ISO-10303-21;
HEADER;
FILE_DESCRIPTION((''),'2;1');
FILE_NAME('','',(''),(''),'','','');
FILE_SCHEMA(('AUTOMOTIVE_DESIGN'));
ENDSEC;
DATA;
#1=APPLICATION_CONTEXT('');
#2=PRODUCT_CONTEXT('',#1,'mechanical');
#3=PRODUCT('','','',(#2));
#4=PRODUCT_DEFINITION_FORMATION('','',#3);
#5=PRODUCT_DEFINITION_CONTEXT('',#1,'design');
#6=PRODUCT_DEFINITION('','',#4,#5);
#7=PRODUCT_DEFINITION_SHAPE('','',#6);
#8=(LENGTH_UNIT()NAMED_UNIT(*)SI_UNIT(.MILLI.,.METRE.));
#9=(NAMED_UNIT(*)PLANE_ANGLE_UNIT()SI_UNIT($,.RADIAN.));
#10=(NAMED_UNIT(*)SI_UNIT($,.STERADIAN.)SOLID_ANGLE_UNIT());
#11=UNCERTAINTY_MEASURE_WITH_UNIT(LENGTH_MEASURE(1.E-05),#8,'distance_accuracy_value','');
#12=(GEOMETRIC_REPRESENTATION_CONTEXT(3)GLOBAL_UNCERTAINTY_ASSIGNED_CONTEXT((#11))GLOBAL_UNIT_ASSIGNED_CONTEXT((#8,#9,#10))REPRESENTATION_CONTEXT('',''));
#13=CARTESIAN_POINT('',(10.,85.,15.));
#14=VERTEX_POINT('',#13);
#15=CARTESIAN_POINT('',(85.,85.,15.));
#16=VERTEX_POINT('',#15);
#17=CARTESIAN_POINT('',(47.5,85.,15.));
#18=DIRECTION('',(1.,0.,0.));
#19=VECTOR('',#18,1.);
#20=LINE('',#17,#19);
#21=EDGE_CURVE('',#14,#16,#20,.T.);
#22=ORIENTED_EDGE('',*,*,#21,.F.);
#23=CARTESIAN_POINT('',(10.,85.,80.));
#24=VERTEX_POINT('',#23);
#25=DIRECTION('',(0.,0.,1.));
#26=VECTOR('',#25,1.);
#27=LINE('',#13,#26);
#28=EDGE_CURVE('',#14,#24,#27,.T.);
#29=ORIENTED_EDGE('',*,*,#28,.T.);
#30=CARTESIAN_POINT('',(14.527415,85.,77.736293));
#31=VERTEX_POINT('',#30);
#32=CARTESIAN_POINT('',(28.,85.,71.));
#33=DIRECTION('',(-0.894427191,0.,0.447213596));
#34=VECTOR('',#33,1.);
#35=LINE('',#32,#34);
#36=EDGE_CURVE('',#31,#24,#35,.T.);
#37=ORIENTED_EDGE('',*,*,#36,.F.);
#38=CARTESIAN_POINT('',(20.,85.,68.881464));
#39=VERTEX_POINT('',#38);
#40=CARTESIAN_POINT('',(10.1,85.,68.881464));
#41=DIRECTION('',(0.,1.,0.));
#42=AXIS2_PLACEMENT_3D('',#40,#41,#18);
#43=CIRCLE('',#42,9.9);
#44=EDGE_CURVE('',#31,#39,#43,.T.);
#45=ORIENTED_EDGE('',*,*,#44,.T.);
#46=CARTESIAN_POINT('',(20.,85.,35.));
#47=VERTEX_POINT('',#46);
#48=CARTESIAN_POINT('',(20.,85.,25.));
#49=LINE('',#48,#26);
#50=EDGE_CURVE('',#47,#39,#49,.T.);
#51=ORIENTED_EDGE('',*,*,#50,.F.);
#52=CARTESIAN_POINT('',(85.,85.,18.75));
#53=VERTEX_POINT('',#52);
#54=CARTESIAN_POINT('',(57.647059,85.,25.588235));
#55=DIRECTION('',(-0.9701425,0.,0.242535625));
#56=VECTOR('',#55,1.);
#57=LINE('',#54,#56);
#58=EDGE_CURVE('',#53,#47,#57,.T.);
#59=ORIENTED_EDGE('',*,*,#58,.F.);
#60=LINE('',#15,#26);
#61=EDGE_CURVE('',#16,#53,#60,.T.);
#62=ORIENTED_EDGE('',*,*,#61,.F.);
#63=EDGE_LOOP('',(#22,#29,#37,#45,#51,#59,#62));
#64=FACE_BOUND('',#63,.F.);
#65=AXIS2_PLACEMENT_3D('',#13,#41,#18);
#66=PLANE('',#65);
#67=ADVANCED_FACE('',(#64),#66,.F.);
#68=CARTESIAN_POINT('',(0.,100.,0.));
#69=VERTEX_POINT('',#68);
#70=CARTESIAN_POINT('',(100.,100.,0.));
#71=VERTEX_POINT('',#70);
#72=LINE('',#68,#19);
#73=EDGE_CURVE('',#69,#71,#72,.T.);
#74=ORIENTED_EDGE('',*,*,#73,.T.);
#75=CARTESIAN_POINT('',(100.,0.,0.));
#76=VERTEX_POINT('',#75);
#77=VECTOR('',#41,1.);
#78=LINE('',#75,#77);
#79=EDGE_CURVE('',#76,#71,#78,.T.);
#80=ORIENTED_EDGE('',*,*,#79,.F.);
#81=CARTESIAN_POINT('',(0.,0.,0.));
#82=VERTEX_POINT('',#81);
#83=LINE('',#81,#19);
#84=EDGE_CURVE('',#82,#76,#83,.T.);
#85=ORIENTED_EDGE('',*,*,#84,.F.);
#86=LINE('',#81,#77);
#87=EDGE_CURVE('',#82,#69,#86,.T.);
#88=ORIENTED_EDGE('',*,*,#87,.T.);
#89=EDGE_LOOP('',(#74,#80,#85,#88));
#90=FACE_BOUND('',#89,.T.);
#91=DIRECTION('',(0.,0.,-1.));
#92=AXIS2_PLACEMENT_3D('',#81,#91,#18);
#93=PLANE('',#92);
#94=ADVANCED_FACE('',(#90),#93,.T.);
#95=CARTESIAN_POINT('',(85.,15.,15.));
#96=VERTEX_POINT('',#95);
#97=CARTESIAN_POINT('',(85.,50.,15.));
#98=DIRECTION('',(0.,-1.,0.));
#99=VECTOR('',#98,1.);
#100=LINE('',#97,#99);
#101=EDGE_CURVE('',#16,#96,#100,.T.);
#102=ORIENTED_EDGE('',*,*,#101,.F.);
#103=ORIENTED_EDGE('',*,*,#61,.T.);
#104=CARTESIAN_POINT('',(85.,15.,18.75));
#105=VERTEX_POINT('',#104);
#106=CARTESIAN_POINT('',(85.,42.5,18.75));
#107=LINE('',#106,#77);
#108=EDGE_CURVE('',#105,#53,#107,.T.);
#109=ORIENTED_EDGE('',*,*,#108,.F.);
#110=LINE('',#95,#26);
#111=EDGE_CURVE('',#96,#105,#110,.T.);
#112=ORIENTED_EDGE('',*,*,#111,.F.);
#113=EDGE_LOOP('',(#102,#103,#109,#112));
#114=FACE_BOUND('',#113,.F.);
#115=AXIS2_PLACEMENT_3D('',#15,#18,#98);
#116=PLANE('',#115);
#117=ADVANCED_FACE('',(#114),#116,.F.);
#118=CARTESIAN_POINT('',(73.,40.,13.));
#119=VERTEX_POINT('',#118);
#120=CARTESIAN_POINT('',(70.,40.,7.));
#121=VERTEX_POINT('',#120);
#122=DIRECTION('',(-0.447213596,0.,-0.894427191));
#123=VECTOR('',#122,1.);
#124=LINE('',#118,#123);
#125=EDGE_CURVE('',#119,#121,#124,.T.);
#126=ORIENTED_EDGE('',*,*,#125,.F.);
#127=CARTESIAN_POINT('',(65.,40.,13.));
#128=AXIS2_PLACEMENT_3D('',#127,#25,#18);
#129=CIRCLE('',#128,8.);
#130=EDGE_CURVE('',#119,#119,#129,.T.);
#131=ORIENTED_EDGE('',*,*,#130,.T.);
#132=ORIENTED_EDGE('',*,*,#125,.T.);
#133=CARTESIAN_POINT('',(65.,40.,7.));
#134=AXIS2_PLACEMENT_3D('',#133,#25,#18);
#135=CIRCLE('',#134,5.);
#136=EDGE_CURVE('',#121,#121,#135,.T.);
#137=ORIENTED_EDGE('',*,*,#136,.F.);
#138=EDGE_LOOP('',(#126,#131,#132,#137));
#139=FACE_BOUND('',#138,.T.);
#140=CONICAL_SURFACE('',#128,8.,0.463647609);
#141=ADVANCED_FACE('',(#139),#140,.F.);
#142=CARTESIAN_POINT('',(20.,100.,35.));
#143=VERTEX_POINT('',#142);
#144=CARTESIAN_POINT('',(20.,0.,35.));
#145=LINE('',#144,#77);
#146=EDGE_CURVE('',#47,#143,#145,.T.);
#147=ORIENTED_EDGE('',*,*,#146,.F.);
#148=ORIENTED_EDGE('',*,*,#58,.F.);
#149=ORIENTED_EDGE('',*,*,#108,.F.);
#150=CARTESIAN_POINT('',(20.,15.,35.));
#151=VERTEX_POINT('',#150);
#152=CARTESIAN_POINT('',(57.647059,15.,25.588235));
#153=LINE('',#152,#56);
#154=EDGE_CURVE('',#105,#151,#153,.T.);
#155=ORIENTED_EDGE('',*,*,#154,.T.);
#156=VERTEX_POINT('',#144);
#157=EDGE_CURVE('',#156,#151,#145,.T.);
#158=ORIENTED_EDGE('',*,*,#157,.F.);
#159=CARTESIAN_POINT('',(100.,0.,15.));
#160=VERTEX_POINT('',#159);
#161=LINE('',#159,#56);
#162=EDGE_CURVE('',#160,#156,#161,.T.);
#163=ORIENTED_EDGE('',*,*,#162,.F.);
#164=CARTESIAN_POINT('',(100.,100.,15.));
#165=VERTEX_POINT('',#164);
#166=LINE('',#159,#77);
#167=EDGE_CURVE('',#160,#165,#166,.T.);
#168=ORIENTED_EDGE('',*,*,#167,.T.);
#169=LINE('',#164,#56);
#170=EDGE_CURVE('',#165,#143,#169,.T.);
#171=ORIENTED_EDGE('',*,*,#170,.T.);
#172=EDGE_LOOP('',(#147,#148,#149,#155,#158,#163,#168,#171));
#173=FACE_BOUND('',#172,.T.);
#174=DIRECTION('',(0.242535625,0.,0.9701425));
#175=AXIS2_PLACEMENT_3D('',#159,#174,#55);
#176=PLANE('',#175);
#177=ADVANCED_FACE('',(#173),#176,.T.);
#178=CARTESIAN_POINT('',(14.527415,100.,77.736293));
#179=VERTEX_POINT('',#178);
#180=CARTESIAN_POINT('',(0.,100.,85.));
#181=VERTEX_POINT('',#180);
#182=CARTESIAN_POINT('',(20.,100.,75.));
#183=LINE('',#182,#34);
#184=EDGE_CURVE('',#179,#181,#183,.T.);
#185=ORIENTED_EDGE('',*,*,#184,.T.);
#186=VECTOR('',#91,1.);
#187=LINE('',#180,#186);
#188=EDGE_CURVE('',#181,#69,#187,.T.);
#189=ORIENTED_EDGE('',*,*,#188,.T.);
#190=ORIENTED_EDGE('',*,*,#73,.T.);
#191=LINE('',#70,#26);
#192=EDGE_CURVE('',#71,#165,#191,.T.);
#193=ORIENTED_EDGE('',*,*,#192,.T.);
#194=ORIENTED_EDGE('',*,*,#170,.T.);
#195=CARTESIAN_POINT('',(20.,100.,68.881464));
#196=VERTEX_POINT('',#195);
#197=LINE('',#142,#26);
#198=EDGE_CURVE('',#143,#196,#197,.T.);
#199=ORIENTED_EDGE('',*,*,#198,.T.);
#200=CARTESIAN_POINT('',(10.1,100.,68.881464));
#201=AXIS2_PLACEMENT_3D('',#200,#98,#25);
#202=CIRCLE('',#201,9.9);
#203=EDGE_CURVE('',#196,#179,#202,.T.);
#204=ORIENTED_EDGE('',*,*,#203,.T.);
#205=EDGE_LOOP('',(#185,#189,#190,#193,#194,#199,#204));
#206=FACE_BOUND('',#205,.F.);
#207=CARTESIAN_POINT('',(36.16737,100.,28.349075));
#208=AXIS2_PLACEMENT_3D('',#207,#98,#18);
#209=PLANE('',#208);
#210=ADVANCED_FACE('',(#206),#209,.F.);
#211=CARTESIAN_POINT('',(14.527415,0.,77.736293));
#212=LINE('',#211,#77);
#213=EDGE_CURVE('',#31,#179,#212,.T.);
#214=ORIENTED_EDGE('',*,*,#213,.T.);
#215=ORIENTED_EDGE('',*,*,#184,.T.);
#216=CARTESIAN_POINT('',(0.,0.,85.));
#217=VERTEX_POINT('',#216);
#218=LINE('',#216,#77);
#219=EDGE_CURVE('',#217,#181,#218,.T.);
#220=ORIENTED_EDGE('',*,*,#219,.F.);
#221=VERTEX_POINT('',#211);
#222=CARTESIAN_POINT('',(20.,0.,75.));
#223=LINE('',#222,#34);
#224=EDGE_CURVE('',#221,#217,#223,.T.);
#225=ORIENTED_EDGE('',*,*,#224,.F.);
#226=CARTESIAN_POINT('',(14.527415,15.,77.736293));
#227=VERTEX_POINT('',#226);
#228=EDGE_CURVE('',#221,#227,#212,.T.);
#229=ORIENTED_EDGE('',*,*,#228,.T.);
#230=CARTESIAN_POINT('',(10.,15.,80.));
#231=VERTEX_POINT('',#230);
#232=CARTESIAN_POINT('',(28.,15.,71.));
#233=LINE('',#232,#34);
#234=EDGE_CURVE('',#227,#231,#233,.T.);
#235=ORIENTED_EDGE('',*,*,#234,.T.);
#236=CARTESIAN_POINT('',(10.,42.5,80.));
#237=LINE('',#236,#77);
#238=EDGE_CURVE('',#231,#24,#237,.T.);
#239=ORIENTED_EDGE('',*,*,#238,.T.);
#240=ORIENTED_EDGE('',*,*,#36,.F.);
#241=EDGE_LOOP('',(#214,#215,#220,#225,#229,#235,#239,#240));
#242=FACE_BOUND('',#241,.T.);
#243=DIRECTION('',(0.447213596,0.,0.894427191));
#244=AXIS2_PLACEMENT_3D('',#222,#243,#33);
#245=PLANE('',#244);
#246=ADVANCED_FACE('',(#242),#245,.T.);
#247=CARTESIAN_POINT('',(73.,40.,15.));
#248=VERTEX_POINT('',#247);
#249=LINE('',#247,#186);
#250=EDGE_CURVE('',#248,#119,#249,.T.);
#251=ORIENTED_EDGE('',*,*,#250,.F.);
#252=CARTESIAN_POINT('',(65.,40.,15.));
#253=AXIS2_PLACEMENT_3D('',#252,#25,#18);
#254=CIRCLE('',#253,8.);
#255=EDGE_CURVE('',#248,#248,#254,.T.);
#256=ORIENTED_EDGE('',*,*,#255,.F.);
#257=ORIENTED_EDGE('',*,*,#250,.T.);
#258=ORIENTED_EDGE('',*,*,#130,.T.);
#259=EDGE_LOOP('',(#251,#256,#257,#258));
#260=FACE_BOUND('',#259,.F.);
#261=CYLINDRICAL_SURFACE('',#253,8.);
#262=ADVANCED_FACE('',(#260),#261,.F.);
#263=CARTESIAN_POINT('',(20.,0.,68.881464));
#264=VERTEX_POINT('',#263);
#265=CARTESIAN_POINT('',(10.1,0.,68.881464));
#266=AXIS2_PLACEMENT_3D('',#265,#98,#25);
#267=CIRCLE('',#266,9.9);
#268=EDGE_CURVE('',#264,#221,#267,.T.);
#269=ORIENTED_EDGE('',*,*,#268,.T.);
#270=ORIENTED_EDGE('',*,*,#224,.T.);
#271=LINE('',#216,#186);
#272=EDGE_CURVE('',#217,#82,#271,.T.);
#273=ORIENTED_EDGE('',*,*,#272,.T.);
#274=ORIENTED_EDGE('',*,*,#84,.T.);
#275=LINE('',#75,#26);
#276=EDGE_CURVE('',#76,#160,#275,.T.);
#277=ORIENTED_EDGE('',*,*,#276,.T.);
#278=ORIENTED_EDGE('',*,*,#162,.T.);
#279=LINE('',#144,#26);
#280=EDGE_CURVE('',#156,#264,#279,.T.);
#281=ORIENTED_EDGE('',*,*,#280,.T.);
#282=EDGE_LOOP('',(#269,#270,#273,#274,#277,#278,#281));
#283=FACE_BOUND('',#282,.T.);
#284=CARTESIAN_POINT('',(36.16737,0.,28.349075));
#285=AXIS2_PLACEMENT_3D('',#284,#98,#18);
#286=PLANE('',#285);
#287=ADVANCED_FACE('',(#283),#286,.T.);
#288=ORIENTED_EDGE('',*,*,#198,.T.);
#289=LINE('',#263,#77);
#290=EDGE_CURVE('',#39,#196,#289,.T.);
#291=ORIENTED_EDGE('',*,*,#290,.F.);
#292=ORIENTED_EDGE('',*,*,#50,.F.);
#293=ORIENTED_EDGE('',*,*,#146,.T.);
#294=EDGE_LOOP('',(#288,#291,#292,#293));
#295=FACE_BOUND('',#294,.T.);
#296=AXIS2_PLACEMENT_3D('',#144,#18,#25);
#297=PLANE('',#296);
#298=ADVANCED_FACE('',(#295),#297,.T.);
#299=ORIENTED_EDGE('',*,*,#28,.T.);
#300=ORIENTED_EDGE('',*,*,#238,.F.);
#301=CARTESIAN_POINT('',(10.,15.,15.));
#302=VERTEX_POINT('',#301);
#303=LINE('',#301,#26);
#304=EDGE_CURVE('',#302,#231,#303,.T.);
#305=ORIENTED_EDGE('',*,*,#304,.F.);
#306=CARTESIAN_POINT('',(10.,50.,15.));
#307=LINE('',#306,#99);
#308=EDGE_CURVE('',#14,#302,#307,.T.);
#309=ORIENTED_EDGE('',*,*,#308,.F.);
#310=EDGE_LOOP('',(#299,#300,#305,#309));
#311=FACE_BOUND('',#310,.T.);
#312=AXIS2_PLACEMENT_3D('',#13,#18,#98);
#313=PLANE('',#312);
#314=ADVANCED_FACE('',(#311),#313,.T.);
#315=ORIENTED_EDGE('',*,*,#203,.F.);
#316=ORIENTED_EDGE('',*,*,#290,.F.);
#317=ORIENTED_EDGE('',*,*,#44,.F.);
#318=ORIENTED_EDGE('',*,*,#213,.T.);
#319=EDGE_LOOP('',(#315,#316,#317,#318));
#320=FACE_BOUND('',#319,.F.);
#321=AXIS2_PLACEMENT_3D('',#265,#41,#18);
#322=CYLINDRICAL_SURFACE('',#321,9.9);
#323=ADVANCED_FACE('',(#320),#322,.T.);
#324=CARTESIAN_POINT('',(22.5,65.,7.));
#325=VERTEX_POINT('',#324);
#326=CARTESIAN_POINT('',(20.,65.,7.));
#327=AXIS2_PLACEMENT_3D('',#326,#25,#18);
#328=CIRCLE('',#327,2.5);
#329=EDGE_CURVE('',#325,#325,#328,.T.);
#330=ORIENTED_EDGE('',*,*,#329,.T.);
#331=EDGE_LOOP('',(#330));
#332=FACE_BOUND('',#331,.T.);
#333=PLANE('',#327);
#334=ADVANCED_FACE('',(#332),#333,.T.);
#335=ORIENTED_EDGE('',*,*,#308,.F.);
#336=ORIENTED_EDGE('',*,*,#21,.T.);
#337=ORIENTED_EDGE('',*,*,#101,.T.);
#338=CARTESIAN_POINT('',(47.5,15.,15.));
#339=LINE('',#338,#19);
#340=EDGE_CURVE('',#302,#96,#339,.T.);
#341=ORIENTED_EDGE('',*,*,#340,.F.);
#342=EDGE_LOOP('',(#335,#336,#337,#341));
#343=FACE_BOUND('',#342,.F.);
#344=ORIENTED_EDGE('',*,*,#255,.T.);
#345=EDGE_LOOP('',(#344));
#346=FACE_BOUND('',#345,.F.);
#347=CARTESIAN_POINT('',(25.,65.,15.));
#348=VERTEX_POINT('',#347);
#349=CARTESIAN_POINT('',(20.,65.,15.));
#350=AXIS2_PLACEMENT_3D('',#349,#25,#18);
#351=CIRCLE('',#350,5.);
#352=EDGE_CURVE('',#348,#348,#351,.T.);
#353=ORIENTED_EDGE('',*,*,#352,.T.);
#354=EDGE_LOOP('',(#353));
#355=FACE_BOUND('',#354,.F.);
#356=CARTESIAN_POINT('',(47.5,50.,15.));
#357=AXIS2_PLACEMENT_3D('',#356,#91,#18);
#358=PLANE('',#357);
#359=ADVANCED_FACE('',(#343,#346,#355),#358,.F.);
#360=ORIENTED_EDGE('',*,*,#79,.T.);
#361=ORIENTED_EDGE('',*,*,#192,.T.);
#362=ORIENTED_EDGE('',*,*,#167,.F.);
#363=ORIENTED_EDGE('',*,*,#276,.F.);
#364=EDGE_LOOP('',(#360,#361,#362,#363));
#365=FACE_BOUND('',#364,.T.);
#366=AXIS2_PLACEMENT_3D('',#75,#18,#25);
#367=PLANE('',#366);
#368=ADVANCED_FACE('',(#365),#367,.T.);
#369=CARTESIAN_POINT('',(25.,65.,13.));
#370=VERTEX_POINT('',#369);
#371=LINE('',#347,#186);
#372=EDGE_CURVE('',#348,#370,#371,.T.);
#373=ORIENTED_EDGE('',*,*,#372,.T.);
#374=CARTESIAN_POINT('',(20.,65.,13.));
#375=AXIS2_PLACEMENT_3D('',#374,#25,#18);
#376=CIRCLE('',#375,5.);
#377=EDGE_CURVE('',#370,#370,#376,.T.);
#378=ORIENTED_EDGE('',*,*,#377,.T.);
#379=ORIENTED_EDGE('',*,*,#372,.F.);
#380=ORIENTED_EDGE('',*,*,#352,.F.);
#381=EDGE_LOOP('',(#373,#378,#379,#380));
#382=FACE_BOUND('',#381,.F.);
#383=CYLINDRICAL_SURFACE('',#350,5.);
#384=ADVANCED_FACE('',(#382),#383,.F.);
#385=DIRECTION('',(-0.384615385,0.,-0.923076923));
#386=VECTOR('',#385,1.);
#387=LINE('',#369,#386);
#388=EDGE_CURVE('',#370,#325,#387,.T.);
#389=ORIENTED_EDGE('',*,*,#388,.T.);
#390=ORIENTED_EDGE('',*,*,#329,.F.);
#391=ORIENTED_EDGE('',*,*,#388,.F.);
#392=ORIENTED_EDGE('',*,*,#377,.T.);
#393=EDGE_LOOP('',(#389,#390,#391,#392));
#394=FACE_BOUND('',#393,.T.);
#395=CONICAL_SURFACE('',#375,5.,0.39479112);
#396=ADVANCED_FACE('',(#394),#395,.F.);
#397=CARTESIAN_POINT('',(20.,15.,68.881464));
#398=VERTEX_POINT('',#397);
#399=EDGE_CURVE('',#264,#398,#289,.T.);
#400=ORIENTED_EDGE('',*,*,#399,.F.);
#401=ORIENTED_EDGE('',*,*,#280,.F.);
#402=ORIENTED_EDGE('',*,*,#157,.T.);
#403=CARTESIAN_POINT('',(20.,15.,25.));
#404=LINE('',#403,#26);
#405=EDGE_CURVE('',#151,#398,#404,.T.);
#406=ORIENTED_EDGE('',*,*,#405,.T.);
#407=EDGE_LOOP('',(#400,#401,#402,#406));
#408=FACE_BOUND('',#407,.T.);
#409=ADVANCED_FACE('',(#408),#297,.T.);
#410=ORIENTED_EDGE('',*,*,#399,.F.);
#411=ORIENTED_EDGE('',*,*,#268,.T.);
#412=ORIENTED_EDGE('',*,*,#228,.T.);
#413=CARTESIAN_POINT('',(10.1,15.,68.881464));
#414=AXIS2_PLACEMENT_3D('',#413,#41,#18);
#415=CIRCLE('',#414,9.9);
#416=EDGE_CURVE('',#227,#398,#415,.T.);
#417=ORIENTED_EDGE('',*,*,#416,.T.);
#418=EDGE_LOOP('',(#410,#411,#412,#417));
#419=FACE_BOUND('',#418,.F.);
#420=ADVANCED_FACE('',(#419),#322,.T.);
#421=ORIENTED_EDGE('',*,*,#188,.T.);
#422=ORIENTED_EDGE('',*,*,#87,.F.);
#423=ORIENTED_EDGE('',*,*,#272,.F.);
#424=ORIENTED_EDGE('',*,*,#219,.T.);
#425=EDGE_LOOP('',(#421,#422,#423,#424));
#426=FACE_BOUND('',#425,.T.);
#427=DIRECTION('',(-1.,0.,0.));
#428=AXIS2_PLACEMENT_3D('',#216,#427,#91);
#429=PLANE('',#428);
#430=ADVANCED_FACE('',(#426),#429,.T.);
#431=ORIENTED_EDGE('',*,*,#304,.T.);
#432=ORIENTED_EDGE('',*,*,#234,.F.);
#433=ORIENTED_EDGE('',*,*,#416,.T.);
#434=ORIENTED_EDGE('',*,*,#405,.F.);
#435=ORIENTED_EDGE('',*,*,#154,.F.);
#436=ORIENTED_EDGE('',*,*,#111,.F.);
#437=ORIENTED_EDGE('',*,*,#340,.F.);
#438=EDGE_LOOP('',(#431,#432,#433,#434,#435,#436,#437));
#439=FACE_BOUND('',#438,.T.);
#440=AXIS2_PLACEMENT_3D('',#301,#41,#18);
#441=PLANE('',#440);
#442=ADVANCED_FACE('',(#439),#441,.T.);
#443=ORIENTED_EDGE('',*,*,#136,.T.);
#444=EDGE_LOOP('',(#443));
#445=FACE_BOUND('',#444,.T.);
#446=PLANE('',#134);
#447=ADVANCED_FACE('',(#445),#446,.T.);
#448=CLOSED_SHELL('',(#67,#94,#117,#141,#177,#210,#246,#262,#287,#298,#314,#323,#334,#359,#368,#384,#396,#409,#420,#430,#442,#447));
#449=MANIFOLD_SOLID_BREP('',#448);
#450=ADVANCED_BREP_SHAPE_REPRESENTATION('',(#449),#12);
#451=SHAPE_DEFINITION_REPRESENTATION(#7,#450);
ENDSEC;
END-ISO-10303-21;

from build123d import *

# Parameters (mm, degrees)
F1_DEPTH  = 100
F2_R      = 9.9
F4_W      = 75
F4_H      = 70
F5_DEPTH  = 70.001
F6_R      = 5
F6_R_2    = 8
F7_DEPTH  = 8
F10_SIZE2 = 2.5
F10_SIZE  = 6
F11_SIZE2 = 3
F11_SIZE  = 6


with BuildPart() as f1:
    # F0 (on Front) → F1 (new body)
    with BuildSketch(Plane.XZ):
        Polygon((0, 85), (0, 0), (100, 0), (100, 15), (20, 35), (20, 75), align=None)
    extrude(amount=-F1_DEPTH)

    # F2
    f2_edges = [f1.edges().sort_by_distance(p)[0] for p in [
        (20, 50, 75),
    ]]
    fillet(f2_edges, radius=F2_R)

    # F4 (on offset) → F5 (cut, through all)
    with BuildSketch(Plane(origin=(0, 0, 15), x_dir=(1, 0, 0), z_dir=(0, 0, -1))):
        with Locations((47.5, -50)):
            Rectangle(F4_W, F4_H)
    extrude(amount=-F5_DEPTH, mode=Mode.SUBTRACT)

    # F6 (on face) → F7 (cut)
    with BuildSketch(Plane.XY.offset(15)):
        with Locations((20, 65)):
            Circle(F6_R)
        with Locations((65, 40)):
            Circle(F6_R_2)
    extrude(amount=-F7_DEPTH, mode=Mode.SUBTRACT)

    # F10
    f10_edges = [f1.edges().sort_by_distance(p)[0] for p in [
        (15, 65, 7),
    ]]
    f10_side = f1.faces().sort_by_distance((15, 65, 11))[0]
    chamfer(f10_edges, length=F10_SIZE, length2=F10_SIZE2, reference=f10_side)

    # F11
    f11_edges = [f1.edges().sort_by_distance(p)[0] for p in [
        (57, 40, 7),
    ]]
    f11_side = f1.faces().sort_by_distance((57, 40, 11))[0]
    chamfer(f11_edges, length=F11_SIZE, length2=F11_SIZE2, reference=f11_side)


solid = f1.part
